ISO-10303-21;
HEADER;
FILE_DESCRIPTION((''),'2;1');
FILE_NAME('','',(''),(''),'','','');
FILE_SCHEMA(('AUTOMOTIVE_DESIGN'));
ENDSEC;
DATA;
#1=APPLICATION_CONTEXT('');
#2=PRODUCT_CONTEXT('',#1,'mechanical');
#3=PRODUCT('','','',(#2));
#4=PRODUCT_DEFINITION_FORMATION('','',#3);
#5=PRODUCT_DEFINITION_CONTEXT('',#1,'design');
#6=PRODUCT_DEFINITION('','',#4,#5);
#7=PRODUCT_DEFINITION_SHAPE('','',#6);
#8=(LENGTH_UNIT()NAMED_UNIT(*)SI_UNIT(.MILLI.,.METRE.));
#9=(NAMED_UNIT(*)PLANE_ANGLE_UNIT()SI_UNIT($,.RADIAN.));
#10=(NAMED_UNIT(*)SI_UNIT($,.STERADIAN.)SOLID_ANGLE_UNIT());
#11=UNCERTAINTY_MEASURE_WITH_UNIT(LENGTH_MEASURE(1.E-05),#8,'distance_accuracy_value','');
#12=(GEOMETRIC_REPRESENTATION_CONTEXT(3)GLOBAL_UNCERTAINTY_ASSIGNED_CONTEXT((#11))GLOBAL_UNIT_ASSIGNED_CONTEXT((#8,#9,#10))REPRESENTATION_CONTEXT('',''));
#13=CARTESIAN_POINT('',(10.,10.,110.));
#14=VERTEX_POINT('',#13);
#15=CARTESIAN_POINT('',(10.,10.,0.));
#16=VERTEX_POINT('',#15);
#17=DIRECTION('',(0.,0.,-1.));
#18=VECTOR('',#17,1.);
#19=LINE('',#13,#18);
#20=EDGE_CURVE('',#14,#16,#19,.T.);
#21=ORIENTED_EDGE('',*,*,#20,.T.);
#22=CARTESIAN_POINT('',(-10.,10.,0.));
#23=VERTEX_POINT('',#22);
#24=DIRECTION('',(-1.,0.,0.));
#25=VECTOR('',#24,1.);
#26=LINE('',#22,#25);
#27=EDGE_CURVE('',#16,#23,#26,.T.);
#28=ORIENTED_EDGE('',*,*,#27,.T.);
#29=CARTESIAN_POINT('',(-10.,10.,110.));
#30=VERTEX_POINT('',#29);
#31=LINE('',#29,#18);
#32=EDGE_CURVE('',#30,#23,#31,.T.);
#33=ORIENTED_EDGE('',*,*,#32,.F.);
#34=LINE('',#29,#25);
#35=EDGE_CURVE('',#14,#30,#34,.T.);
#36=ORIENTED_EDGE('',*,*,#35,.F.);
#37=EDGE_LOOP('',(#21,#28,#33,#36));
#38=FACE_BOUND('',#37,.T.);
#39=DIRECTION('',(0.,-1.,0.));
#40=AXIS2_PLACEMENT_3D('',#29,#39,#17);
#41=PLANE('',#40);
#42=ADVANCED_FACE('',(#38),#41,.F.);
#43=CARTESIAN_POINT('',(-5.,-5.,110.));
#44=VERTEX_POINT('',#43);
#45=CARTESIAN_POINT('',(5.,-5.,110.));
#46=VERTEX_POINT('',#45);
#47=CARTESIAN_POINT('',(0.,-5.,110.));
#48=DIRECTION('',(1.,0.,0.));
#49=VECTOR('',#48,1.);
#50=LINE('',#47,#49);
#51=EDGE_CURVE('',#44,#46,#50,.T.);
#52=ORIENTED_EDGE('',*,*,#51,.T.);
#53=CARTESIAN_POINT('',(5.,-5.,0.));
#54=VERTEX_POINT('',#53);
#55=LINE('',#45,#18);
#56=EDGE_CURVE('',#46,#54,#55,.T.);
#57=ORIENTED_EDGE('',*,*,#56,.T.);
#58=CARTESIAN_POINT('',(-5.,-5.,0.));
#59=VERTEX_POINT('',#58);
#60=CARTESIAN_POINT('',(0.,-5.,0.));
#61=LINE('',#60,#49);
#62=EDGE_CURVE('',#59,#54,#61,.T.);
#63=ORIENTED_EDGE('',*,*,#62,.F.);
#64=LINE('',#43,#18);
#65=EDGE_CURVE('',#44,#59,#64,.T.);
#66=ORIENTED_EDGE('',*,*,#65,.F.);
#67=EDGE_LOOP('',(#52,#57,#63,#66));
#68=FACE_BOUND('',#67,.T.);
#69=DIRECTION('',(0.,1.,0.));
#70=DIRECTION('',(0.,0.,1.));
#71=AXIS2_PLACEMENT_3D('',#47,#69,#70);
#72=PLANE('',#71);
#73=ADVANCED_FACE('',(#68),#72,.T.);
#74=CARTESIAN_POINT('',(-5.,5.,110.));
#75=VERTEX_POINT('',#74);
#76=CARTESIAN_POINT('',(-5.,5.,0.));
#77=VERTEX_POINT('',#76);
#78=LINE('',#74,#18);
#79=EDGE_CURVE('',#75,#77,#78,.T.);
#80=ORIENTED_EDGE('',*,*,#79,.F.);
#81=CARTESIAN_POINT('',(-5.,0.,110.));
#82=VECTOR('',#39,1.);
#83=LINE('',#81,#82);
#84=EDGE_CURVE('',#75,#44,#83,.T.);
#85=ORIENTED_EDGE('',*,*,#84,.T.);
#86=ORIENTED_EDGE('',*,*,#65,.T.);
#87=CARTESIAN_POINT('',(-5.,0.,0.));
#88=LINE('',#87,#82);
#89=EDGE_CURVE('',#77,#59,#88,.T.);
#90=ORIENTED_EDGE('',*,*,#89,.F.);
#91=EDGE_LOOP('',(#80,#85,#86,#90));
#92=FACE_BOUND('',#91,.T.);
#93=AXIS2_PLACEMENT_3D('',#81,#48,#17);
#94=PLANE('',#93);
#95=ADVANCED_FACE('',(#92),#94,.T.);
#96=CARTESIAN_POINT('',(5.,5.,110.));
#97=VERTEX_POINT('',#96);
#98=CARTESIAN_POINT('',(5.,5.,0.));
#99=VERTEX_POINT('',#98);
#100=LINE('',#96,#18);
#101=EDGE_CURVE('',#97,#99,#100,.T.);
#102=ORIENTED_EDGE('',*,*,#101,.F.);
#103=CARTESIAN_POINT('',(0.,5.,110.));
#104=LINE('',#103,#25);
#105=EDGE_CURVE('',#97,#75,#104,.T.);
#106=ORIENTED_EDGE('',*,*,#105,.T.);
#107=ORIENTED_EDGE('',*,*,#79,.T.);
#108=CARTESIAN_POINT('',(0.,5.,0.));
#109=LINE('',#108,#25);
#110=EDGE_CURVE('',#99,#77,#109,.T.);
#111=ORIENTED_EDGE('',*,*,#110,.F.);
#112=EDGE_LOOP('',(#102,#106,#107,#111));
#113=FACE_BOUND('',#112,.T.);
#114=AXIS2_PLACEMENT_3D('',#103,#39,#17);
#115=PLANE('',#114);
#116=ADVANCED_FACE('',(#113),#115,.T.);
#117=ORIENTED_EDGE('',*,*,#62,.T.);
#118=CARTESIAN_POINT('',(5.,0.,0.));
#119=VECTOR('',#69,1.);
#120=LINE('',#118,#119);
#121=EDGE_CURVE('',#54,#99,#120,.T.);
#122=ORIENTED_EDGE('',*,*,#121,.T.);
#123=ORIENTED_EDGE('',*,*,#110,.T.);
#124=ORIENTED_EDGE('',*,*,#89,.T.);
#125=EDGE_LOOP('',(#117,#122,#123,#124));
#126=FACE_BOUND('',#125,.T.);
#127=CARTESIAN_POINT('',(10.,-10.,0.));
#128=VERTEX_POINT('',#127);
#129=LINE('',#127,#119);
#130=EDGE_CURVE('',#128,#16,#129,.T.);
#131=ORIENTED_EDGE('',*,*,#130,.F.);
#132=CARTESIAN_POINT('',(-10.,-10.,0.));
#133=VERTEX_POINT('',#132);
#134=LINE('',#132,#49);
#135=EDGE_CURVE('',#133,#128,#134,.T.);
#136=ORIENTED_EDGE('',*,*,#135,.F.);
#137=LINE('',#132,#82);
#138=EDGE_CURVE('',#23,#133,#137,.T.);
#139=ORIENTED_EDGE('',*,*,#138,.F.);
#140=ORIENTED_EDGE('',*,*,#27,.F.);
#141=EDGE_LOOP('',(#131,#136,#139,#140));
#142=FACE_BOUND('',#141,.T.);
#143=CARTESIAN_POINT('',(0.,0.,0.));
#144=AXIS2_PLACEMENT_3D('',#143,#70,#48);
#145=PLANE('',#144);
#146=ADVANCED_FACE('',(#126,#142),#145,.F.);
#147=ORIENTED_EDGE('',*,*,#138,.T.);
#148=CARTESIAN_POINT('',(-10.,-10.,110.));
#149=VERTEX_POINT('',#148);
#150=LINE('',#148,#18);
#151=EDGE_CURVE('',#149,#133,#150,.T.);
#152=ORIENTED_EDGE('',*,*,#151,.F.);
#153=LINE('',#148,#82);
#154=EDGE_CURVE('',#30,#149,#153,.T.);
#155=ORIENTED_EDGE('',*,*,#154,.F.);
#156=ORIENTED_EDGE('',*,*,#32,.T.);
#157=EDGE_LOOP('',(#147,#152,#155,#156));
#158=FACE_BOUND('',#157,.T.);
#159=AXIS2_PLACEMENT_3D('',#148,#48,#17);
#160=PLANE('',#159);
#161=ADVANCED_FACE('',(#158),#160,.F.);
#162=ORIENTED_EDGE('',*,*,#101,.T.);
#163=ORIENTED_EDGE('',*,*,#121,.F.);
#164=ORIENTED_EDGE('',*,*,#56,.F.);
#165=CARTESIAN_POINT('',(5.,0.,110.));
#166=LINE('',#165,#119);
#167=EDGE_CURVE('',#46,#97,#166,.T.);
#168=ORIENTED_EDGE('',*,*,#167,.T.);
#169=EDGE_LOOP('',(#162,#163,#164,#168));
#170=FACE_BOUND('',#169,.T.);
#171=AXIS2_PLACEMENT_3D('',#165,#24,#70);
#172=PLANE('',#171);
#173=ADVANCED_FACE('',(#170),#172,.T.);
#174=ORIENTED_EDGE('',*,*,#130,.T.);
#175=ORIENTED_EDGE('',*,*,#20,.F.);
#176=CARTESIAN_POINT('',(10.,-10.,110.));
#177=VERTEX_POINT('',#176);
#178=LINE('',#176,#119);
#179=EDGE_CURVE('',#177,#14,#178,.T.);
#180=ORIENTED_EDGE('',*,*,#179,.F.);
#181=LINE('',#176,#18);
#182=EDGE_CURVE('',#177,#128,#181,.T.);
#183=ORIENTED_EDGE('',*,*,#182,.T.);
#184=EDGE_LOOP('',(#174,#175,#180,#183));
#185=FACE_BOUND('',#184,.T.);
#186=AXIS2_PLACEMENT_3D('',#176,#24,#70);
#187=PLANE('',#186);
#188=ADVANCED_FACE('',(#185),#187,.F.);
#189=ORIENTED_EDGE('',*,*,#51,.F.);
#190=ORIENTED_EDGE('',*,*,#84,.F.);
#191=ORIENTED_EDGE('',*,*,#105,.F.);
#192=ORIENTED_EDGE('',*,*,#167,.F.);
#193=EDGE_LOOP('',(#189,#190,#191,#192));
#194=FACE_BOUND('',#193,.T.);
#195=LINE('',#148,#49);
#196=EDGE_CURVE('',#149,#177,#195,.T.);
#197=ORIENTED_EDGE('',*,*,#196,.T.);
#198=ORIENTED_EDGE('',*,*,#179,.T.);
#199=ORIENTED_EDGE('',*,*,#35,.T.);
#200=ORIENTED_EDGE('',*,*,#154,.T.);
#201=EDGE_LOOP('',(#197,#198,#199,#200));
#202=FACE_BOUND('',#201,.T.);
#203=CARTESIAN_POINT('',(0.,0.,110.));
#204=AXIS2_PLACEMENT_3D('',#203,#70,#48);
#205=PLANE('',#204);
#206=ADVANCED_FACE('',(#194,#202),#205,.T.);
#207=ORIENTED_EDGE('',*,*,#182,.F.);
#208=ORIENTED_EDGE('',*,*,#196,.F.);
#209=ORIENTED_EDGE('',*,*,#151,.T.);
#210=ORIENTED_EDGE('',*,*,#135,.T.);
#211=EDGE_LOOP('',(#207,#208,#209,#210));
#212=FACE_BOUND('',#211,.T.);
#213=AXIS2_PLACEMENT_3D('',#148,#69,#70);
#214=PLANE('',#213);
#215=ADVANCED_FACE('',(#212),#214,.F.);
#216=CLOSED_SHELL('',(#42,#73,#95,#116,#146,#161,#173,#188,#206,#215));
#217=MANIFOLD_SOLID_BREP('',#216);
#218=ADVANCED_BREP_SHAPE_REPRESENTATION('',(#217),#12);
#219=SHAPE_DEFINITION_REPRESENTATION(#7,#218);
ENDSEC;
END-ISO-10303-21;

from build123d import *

# Parameters (mm, degrees)
SKETCH1_W           = 20
SKETCH1_H           = 20
SKETCH1_W_2         = 10
SKETCH1_H_2         = 10
EXTRUDE_THIN1_DEPTH = 110


with BuildPart() as part:
    # Sketch1 → Extrude-Thin1 (new body)
    with BuildSketch(Plane.XY):
        Rectangle(SKETCH1_W, SKETCH1_H)
        Rectangle(SKETCH1_W_2, SKETCH1_H_2, mode=Mode.SUBTRACT)
    extrude(amount=EXTRUDE_THIN1_DEPTH)


solid = part.part
